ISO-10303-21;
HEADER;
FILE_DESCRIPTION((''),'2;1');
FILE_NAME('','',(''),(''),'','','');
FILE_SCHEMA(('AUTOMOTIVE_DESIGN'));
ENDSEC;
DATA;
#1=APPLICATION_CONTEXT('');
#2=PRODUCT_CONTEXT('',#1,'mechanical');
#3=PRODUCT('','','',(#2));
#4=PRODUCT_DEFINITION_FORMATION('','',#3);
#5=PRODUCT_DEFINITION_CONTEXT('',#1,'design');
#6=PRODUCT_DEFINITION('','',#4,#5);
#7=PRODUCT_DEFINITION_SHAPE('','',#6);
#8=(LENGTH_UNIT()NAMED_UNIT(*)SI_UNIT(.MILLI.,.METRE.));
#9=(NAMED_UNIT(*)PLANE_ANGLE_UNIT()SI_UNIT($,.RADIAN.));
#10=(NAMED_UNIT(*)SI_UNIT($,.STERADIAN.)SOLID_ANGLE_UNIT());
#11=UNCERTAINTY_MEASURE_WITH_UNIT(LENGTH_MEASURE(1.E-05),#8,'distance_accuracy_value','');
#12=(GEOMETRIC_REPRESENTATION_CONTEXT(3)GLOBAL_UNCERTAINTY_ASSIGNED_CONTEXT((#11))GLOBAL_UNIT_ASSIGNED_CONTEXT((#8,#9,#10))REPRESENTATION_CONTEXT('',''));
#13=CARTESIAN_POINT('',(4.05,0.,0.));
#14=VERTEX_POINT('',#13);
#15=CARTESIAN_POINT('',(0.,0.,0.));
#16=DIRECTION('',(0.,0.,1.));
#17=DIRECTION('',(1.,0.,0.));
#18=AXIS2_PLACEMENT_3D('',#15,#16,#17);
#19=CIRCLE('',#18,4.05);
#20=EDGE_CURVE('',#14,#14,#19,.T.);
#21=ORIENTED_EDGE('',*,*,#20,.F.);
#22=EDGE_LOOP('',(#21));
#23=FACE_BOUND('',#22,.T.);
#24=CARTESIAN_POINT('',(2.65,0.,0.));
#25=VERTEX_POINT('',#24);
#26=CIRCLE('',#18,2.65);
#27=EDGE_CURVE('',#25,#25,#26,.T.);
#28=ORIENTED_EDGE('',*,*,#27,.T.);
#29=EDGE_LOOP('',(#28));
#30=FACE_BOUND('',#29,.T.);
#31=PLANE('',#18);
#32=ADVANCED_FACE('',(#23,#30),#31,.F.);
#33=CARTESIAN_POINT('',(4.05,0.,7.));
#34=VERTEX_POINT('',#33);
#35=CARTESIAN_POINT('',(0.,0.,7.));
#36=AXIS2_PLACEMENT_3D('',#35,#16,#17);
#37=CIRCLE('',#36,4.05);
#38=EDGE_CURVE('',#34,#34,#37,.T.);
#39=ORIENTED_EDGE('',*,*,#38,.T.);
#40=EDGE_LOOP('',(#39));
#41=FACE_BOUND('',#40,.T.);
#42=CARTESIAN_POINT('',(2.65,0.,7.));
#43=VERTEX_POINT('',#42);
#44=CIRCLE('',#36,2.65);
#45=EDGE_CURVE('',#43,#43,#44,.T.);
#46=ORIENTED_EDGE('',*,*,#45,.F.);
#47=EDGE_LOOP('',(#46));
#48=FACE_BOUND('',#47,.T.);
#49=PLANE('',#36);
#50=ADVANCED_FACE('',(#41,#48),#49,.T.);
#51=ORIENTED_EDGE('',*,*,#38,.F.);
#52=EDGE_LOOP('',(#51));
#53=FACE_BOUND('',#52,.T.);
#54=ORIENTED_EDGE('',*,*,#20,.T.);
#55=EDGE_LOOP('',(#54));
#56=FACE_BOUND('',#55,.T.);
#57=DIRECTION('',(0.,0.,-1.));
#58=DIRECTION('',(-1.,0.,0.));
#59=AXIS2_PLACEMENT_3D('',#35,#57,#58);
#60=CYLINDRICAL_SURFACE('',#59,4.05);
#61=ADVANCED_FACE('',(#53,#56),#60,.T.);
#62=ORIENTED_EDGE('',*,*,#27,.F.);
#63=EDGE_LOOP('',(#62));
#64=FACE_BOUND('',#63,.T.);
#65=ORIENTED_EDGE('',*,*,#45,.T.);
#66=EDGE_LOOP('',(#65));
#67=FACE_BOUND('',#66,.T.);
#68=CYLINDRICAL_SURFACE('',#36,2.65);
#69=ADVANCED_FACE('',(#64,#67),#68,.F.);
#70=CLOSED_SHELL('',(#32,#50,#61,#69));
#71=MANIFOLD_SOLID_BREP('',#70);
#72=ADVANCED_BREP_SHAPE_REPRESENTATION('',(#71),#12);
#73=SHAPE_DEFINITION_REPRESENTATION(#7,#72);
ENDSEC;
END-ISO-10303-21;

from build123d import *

# Parameters (mm, degrees)
SKETCH1_R            = 4.05
BOSS_EXTRUDE1_DEPTH  = 7
M5_CLEARANCE_HOLE1_D = 5.3


with BuildPart() as part:
    # Sketch1 → Boss-Extrude1 (new body)
    with BuildSketch(Plane.XY):
        Circle(SKETCH1_R)
    extrude(amount=BOSS_EXTRUDE1_DEPTH)

    # M5 Clearance Hole1 (through all)
    with Locations(Plane.XY.offset(7)):
        with Locations((0, 0)):
            Hole(M5_CLEARANCE_HOLE1_D / 2)


solid = part.part
